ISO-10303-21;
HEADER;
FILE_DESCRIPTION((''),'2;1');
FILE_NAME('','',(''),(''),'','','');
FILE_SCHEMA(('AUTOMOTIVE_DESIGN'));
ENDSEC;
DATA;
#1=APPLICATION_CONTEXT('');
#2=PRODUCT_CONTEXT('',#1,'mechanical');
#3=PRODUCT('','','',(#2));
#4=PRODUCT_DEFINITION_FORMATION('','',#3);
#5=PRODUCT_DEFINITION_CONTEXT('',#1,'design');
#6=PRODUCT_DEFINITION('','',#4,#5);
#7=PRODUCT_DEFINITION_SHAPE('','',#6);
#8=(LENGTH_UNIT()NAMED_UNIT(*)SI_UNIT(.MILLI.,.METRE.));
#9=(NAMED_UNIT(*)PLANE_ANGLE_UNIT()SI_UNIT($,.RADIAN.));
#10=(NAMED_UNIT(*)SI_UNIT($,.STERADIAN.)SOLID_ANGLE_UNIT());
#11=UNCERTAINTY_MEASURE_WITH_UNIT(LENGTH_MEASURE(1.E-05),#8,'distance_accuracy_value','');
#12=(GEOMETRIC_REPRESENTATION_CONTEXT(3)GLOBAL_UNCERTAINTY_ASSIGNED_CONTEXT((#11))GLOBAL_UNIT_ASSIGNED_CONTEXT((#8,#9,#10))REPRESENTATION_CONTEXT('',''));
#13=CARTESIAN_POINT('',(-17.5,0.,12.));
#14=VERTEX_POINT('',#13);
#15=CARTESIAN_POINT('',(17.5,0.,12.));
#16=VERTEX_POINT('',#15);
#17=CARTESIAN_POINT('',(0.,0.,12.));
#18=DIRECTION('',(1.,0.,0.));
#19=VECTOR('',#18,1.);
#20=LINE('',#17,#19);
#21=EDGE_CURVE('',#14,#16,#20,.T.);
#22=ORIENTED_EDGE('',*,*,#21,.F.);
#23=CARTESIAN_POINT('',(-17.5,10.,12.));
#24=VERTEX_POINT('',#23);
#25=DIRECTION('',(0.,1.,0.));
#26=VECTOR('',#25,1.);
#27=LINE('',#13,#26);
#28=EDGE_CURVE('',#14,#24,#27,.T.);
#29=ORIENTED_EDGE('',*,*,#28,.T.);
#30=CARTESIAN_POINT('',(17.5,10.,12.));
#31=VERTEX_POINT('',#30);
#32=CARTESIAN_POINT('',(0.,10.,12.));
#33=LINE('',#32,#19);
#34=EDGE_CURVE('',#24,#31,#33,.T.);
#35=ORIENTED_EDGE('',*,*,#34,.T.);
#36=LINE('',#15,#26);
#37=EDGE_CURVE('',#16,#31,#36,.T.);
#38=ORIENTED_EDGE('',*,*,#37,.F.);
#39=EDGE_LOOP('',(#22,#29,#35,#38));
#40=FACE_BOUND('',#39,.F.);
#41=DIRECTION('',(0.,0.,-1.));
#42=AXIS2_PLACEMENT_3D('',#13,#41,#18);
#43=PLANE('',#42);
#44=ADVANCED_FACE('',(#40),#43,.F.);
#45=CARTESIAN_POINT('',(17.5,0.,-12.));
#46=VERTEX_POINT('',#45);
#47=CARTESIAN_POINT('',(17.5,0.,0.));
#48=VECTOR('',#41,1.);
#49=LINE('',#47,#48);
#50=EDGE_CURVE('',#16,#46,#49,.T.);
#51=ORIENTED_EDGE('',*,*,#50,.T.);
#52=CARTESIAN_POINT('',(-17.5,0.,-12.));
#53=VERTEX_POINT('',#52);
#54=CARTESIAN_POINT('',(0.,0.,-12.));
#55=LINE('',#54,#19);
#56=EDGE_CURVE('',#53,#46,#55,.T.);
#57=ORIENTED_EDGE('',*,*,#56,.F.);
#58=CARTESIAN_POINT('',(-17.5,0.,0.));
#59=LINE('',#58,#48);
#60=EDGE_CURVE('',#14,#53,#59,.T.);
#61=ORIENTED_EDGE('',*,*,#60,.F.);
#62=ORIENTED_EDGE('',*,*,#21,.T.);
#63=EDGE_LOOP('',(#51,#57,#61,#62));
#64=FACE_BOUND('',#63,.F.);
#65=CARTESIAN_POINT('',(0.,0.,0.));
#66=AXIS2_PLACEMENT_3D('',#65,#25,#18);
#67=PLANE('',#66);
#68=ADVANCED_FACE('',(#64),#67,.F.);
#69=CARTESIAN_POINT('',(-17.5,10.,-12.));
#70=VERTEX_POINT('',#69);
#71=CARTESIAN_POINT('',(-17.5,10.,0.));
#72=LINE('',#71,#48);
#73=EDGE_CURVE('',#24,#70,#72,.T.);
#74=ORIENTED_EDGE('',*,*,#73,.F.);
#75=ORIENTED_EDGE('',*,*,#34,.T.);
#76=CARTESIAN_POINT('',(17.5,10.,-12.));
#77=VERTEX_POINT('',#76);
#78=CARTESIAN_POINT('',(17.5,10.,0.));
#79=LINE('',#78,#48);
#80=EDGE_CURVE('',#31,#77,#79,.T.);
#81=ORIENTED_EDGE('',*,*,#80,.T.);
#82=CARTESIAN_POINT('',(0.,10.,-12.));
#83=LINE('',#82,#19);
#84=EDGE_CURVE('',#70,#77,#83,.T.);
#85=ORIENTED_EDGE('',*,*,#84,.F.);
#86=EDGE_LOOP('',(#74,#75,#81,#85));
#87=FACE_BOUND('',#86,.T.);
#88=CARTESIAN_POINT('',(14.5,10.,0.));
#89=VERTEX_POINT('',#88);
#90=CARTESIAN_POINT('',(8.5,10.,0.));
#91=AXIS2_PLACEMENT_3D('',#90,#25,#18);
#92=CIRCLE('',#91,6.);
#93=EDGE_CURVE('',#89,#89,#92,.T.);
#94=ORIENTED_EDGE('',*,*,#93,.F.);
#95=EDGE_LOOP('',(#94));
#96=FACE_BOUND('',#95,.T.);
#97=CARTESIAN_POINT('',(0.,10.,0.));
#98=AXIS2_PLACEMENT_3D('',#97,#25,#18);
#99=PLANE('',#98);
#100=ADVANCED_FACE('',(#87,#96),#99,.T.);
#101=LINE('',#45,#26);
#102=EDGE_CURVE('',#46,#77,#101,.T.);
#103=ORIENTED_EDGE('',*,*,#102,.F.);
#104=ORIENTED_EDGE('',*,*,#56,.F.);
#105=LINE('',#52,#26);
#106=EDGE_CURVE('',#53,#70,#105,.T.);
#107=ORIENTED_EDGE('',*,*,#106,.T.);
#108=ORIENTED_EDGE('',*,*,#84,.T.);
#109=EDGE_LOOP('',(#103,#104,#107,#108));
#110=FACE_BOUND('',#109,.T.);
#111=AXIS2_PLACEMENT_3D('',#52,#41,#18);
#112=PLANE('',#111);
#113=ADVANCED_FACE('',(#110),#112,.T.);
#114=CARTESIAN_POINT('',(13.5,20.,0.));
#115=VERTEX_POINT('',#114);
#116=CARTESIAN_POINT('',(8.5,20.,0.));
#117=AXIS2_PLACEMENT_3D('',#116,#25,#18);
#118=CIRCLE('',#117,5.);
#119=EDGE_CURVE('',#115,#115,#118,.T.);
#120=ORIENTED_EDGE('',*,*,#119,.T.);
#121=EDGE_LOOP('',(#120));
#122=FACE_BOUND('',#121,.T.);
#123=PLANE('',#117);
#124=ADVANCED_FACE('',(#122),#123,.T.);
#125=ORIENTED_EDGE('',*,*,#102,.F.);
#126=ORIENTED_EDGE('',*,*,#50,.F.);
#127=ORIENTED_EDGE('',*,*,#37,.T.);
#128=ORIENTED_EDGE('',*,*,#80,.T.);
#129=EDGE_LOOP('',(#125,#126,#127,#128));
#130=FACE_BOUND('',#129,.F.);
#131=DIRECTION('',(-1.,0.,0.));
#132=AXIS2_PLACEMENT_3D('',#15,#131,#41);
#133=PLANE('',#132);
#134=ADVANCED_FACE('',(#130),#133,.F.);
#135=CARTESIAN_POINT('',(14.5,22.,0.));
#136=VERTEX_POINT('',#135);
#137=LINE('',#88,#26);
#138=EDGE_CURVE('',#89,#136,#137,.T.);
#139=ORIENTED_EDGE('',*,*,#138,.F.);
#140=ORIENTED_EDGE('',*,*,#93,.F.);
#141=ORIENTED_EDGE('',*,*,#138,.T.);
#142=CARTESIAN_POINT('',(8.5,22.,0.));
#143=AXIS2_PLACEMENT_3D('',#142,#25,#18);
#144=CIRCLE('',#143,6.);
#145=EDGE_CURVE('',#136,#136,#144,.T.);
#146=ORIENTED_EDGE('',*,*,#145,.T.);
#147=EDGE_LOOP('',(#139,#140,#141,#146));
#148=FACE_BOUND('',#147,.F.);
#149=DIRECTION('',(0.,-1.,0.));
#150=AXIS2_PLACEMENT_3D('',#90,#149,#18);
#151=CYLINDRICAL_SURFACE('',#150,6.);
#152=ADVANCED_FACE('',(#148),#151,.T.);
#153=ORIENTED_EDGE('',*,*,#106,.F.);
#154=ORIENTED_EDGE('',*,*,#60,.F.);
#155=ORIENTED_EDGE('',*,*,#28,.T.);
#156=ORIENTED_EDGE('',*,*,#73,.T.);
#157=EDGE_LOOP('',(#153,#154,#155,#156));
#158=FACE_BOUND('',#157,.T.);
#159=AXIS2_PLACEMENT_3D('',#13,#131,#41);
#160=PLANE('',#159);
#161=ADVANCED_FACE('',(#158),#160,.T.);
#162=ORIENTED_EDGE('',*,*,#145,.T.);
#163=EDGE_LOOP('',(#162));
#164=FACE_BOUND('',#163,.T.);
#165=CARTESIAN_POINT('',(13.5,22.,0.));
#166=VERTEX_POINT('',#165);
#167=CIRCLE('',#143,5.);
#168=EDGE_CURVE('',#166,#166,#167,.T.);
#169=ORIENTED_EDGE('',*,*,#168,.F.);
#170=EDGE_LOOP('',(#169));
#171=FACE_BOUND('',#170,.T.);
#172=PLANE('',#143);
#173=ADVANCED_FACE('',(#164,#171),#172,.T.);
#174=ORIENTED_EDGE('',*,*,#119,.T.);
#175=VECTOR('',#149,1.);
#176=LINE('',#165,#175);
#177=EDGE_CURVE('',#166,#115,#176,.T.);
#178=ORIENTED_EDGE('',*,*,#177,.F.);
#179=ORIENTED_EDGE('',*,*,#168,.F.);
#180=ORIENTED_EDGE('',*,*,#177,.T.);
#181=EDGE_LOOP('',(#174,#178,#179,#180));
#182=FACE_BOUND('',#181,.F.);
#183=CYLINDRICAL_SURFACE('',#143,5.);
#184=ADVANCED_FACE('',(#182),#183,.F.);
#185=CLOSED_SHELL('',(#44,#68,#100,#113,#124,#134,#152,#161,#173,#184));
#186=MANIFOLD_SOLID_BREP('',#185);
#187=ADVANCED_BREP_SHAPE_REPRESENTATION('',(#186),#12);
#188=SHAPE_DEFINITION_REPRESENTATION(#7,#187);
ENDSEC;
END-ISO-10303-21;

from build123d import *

# Parameters (mm, degrees)
SKETCH2_W           = 35
SKETCH2_H           = 24
BOSS_EXTRUDE1_DEPTH = 10
SKETCH3_R           = 6
BOSS_EXTRUDE2_DEPTH = 12
SKETCH4_R           = 5
CUT_EXTRUDE2_DEPTH  = 2


with BuildPart() as part:
    # Sketch2 → Boss-Extrude1 (new body)
    with BuildSketch(Plane(origin=(0, 0, 0), x_dir=(1, 0, 0), z_dir=(0, 1, 0))):
        Rectangle(SKETCH2_W, SKETCH2_H)
    extrude(amount=BOSS_EXTRUDE1_DEPTH)

    # Sketch3 → Boss-Extrude2 (add)
    with BuildSketch(Plane(origin=(0, 10, 0), x_dir=(1, 0, 0), z_dir=(0, 1, 0))):
        with Locations((8.5, 0)):
            Circle(SKETCH3_R)
    extrude(amount=BOSS_EXTRUDE2_DEPTH)

    # Sketch4 → Cut-Extrude2 (cut)
    with BuildSketch(Plane(origin=(0, 22, 0), x_dir=(1, 0, 0), z_dir=(0, 1, 0))):
        with Locations((8.5, 0)):
            Circle(SKETCH4_R)
    extrude(amount=-CUT_EXTRUDE2_DEPTH, mode=Mode.SUBTRACT)


solid = part.part
